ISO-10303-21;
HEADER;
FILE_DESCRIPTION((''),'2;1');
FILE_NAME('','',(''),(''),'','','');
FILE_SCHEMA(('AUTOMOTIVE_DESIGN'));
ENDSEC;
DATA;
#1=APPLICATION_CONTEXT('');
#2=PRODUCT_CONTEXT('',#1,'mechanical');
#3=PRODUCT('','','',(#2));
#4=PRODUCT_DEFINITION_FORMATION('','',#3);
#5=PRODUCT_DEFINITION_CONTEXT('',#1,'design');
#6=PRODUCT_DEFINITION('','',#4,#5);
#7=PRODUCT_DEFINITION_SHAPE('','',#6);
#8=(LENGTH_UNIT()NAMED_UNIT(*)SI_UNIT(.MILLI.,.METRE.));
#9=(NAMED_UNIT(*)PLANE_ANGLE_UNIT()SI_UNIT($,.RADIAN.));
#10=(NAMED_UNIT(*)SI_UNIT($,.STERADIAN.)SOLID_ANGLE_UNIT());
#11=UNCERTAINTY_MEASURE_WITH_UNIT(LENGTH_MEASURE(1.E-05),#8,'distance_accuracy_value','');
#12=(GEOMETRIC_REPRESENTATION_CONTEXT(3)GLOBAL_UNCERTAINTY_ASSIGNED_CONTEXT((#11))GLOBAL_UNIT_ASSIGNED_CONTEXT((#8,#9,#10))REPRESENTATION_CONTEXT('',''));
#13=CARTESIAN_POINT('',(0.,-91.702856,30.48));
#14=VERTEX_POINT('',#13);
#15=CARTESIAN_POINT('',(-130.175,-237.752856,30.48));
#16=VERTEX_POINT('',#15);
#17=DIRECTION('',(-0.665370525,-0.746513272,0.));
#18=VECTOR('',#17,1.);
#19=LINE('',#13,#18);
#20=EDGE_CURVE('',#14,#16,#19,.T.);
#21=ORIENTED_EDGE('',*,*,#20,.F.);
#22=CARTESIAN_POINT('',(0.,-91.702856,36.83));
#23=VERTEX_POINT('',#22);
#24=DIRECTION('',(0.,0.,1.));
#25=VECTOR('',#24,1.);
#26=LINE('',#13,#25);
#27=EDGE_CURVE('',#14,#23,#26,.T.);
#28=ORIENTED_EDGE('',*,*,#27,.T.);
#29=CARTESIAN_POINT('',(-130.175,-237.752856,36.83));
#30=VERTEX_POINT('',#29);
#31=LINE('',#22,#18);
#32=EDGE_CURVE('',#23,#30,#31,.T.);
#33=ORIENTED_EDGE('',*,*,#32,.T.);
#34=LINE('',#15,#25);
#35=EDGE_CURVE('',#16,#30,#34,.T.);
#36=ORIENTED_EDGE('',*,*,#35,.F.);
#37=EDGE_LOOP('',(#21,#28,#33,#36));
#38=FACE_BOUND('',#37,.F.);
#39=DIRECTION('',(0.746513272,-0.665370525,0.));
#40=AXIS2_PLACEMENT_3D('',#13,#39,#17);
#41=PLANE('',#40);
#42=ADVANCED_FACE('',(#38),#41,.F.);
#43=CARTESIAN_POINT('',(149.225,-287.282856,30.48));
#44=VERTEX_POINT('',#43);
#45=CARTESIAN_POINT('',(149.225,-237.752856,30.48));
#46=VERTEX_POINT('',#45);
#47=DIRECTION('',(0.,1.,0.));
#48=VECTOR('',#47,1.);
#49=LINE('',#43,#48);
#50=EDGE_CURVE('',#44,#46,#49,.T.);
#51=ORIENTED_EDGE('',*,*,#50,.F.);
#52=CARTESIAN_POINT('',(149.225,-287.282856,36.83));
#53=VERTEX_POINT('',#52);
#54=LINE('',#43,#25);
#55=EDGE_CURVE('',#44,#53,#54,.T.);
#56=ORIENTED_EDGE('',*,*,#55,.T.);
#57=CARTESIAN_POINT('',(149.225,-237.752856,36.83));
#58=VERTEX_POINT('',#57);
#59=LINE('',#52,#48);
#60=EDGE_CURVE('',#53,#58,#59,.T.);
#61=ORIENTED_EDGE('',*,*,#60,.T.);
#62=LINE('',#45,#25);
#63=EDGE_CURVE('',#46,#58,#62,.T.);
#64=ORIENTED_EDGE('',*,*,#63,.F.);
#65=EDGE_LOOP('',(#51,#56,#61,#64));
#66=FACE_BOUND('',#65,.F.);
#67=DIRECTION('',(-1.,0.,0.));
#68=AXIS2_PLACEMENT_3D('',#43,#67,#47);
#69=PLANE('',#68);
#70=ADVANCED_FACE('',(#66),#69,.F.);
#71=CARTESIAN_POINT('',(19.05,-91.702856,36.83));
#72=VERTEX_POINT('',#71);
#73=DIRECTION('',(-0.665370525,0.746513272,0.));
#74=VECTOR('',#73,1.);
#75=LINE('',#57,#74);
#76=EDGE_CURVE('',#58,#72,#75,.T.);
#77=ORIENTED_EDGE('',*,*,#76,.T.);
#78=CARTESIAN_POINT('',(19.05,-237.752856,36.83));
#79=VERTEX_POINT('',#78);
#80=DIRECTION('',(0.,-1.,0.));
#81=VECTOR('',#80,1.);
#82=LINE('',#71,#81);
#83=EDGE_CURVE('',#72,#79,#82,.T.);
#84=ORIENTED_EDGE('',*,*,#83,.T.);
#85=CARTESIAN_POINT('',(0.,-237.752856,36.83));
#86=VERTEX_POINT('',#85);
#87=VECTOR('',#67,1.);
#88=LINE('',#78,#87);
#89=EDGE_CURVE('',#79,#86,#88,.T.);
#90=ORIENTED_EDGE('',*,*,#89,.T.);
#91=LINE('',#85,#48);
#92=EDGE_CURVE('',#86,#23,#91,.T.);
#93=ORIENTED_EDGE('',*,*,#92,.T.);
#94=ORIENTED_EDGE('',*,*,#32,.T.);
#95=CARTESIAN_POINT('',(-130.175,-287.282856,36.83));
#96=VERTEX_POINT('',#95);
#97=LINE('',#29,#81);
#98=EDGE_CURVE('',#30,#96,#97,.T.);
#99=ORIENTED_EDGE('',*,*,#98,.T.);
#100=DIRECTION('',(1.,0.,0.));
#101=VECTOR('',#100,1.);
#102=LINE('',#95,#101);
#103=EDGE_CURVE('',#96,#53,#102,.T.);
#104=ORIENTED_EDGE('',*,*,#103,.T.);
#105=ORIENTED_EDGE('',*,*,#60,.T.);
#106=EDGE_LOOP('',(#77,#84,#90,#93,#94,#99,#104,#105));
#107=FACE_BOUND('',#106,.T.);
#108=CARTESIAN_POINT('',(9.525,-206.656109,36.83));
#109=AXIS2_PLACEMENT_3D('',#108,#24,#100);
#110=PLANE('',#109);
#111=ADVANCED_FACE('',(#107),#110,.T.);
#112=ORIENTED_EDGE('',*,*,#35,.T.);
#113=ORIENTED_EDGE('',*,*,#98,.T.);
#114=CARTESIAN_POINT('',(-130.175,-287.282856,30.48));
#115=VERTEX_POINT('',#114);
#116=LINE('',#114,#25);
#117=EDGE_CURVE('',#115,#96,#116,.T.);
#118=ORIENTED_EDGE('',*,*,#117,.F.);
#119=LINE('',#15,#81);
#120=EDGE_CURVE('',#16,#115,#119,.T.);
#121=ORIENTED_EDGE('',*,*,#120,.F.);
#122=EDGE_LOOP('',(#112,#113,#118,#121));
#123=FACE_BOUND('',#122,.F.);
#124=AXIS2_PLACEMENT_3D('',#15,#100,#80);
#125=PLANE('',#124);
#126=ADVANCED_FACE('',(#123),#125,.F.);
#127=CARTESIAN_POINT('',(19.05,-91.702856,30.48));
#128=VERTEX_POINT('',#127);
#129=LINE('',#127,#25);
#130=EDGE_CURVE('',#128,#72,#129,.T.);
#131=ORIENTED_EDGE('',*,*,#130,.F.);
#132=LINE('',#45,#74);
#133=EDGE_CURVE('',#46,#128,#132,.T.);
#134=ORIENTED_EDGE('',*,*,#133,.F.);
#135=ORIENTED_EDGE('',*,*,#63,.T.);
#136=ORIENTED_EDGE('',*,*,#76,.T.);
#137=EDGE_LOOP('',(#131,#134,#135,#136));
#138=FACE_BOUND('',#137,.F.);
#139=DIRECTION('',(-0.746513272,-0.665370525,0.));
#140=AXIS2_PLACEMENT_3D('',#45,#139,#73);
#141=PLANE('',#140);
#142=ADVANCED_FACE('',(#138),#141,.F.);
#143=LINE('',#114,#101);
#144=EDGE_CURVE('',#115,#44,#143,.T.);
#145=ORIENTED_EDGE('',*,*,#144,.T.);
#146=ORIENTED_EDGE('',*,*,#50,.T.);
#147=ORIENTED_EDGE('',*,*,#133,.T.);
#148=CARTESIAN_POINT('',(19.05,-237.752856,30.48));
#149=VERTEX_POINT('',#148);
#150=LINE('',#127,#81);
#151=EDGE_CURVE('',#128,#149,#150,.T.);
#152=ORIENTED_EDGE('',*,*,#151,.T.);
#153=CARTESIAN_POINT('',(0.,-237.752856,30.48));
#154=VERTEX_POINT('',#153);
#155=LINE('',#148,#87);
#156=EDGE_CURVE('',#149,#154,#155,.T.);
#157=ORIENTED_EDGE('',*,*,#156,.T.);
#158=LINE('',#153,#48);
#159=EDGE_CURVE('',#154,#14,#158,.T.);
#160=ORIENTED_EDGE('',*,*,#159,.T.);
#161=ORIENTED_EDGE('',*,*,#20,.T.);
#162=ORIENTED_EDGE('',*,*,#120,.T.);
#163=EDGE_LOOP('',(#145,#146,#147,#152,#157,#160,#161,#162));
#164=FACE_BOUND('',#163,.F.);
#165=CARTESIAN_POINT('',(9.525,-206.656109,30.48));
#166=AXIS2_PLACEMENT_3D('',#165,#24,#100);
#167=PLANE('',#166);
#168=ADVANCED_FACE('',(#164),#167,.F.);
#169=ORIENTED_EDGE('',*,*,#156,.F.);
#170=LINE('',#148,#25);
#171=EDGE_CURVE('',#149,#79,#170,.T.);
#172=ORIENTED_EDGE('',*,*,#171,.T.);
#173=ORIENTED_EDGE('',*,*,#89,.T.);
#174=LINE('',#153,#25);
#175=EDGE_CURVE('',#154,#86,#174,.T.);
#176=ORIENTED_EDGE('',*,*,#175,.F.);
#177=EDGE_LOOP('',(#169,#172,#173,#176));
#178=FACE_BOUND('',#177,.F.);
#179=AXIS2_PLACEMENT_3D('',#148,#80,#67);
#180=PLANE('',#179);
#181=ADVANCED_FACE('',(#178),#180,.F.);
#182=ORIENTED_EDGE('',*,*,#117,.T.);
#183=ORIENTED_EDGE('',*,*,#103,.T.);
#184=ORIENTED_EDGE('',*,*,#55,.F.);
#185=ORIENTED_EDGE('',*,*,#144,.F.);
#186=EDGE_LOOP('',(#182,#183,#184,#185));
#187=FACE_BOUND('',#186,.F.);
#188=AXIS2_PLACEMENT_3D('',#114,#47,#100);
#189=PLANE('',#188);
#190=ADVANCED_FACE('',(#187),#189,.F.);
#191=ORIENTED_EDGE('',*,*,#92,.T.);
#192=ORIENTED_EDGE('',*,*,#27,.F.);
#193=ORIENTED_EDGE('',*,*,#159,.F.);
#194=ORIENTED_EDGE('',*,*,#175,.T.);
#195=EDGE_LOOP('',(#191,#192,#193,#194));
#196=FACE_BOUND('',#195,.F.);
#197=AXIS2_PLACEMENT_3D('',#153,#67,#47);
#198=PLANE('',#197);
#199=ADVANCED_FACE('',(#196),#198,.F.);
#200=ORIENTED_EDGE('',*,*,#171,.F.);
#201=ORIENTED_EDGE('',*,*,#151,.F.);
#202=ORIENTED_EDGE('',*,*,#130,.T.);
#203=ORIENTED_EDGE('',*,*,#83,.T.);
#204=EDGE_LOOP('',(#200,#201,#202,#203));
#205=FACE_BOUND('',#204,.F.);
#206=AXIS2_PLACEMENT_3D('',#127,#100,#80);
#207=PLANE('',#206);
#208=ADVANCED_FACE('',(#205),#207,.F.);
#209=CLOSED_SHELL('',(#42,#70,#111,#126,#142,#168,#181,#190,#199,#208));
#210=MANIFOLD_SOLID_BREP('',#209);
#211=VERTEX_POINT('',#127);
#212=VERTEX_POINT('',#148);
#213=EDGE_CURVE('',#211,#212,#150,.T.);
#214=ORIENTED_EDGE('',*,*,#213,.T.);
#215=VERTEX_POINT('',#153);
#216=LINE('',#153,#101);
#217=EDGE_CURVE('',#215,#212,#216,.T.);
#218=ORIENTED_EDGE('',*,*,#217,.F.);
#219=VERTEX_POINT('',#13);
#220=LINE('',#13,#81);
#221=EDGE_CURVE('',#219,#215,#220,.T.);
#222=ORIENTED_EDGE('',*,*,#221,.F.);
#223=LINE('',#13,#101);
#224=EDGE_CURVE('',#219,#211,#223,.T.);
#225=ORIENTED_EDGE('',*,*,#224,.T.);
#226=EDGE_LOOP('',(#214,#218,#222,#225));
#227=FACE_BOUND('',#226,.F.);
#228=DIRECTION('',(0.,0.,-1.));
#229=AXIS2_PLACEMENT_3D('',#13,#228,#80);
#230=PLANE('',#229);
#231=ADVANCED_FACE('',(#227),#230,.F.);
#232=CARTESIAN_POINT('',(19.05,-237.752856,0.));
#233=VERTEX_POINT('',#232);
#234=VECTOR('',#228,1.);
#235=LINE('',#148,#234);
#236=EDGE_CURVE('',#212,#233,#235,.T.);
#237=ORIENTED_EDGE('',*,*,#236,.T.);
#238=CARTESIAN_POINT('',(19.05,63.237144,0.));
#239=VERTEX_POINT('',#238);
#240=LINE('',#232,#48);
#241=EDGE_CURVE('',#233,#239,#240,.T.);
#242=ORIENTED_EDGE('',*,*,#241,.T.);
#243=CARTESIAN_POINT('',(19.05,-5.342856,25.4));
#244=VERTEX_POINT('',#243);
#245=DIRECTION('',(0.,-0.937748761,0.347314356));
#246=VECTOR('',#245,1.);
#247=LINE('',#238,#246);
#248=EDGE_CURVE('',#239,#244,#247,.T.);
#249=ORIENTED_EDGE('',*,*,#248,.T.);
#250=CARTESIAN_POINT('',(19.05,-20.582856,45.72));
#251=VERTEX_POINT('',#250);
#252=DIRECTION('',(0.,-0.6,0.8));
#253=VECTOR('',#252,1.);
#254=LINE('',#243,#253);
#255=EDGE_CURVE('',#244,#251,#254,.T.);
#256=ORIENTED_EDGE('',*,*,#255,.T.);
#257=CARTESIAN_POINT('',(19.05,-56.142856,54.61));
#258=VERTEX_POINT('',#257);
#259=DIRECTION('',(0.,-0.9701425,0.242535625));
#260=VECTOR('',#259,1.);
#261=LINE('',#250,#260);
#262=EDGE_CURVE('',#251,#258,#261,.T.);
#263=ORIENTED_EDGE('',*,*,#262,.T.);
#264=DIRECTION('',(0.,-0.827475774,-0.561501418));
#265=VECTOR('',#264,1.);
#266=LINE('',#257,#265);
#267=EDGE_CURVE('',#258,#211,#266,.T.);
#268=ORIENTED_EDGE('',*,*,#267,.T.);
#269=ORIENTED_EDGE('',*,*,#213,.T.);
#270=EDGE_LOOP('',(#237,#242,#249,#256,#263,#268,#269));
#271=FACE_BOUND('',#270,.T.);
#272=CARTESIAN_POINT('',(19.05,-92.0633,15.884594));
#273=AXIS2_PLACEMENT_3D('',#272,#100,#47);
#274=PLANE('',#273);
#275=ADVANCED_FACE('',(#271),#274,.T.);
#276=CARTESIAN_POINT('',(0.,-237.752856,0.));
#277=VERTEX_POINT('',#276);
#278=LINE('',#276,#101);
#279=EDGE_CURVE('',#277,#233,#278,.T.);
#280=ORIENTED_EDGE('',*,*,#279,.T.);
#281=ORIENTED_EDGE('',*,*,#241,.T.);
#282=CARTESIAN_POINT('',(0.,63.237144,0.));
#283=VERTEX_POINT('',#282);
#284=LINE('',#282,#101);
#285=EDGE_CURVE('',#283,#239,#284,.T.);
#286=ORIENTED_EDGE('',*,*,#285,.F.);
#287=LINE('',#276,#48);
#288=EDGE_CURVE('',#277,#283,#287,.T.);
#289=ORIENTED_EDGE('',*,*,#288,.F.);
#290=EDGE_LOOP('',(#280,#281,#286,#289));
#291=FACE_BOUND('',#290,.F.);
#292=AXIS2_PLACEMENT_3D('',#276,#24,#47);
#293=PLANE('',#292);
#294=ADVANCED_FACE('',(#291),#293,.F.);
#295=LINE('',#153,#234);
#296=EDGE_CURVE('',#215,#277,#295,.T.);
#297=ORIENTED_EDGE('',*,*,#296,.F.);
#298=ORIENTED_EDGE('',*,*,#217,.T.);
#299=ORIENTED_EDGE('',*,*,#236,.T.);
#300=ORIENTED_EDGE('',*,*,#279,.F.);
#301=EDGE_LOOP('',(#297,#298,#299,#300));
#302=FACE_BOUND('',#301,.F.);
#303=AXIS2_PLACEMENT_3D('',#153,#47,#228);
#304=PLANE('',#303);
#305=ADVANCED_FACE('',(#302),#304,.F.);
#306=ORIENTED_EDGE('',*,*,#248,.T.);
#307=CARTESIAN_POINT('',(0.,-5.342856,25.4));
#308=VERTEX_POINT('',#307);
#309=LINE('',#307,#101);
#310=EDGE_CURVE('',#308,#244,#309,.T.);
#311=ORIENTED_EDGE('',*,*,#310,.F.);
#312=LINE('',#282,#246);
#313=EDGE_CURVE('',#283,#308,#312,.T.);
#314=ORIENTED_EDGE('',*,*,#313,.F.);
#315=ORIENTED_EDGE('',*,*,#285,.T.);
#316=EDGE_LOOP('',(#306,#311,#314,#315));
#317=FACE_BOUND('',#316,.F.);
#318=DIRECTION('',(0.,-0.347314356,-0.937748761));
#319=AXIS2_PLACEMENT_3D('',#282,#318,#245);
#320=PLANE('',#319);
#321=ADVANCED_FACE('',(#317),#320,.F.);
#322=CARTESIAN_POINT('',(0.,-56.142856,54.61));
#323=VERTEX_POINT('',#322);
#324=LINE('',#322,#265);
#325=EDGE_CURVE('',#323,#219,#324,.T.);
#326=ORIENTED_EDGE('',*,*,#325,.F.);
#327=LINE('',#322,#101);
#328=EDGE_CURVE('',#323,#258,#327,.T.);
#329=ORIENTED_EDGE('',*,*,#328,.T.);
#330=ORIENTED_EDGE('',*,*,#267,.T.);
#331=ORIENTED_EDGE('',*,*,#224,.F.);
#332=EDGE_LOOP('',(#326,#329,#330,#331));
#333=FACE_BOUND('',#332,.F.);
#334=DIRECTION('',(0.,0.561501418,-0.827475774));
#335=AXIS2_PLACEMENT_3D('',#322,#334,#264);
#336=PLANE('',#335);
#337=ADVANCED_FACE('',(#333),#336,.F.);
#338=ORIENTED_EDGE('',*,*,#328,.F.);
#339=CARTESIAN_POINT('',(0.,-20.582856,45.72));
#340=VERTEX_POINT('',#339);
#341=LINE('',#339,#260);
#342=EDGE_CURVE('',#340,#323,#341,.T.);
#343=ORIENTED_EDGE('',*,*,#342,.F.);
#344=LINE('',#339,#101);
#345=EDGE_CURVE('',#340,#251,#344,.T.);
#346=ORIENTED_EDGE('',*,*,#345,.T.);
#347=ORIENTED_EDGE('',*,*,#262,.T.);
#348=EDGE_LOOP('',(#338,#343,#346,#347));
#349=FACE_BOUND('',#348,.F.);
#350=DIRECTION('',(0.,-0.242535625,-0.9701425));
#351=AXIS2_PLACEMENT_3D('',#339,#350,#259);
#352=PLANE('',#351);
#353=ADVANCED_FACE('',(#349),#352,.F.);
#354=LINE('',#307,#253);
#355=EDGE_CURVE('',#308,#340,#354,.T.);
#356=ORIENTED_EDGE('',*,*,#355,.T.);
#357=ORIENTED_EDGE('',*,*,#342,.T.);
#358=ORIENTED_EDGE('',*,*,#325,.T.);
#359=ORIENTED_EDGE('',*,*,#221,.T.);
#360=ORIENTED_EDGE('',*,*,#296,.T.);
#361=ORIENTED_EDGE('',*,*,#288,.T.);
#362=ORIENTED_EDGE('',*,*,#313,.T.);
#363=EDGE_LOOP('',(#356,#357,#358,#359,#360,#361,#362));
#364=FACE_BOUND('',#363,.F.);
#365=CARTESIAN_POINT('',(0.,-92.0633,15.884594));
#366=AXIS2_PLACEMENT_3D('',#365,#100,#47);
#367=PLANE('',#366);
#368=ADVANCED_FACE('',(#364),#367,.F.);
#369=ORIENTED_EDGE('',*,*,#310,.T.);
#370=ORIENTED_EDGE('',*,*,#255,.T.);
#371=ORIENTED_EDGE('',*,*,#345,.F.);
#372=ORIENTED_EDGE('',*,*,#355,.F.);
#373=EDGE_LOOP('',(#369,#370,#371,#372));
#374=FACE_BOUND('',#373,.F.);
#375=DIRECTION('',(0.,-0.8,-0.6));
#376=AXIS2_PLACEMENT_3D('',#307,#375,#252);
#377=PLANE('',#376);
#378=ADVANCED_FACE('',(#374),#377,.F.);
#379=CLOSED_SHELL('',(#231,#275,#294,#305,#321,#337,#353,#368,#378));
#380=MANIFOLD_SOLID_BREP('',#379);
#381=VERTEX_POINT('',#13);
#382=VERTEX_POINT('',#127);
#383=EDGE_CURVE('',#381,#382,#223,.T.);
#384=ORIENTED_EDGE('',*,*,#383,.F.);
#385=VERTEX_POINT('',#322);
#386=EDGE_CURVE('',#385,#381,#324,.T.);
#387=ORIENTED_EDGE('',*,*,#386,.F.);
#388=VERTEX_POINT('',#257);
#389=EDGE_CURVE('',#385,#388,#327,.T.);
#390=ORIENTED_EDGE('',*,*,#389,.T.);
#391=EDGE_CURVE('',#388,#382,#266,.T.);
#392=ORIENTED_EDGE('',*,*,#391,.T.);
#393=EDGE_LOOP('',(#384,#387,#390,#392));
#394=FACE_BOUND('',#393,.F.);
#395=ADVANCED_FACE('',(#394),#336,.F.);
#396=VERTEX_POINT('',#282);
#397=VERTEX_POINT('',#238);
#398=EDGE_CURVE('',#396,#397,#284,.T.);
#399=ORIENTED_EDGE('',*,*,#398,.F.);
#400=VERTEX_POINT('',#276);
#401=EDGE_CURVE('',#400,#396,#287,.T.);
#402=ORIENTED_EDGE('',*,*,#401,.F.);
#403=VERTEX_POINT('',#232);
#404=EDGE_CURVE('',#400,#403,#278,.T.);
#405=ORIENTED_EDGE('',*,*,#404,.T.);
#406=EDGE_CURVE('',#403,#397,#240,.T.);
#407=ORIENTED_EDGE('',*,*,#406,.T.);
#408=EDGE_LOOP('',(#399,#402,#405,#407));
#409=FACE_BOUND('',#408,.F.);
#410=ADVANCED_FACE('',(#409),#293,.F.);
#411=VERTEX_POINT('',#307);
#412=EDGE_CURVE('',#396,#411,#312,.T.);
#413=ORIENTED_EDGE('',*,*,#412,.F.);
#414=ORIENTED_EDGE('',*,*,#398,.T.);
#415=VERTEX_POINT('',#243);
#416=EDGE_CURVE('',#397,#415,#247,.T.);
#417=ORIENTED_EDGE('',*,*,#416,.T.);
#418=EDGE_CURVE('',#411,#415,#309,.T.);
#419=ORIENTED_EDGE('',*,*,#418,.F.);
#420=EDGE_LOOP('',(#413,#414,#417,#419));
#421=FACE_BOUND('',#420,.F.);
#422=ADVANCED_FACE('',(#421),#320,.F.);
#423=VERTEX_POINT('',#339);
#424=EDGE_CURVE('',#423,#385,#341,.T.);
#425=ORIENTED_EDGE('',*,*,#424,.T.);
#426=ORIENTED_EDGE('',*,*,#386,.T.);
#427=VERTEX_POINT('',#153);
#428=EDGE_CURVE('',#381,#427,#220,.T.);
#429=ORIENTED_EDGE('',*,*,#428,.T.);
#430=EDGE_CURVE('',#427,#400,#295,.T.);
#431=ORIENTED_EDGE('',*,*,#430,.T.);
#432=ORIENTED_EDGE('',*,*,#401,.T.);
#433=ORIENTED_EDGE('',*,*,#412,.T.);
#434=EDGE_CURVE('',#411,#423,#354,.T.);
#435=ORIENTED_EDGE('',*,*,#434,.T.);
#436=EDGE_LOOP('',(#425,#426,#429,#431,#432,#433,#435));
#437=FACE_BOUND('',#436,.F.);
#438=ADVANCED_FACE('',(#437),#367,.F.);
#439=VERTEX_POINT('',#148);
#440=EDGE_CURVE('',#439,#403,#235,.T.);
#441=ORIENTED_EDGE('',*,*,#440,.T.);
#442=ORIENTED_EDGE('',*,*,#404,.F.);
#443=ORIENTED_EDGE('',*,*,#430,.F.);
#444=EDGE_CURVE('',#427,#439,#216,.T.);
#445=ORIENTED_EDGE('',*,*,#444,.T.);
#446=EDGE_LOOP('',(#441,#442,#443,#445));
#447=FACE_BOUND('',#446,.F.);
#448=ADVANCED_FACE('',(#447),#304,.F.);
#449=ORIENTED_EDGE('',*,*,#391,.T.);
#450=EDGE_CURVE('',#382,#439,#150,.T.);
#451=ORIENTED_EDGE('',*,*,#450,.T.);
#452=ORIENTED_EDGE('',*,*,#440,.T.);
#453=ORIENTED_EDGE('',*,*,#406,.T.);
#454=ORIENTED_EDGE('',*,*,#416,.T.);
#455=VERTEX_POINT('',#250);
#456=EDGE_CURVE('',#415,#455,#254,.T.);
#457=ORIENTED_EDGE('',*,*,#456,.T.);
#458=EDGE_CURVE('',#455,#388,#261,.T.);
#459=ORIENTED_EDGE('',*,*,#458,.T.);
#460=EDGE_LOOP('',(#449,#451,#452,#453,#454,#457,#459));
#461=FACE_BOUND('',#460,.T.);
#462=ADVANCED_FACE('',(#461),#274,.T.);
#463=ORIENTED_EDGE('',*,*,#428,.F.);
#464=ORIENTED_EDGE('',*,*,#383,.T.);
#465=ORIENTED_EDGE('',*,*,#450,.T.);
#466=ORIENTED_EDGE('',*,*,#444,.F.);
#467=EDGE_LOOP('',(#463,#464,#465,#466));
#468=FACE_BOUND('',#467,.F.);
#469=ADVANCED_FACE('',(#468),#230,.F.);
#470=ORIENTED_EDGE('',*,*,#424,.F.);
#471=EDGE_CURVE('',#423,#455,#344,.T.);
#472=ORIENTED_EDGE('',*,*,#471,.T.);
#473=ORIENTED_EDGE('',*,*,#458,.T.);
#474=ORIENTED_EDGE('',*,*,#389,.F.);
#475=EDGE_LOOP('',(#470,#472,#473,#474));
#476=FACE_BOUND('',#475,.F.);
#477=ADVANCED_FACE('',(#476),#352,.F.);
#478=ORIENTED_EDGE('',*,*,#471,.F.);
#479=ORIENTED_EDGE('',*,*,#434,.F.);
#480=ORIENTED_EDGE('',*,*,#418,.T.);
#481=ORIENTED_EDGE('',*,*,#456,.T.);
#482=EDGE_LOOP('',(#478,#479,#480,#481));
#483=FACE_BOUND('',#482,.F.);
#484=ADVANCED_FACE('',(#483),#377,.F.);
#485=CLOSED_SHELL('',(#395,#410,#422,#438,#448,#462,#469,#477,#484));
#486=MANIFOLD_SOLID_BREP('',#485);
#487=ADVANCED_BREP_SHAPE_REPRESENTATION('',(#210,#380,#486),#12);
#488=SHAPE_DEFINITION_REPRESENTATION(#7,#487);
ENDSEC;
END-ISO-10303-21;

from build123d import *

# Parameters (mm, degrees)
F1_DEPTH = 19.05
F2_DEPTH = 19.05
F4_DEPTH = 6.35


with BuildPart() as f1:
    # F0 (on Right) → F1 (new body)
    with BuildSketch(Plane.YZ):
        Polygon((-237.752856, 30.48), (-237.752856, 0), (63.237144, 0), (-5.342856, 25.4), (-20.582856, 45.72), (-56.142856, 54.61), (-91.702856, 30.48), align=None)
    extrude(amount=F1_DEPTH)


with BuildPart() as f2:
    # F0 (on Right) → F2 (new body)
    with BuildSketch(Plane.YZ):
        Polygon((-237.752856, 30.48), (-237.752856, 0), (63.237144, 0), (-5.342856, 25.4), (-20.582856, 45.72), (-56.142856, 54.61), (-91.702856, 30.48), align=None)
    extrude(amount=F2_DEPTH)


with BuildPart() as f4:
    # F3 (on face) → F4 (new body)
    with BuildSketch(Plane.XY.offset(30.48)):
        Polygon((-130.175, -287.282856), (149.225, -287.282856), (149.225, -237.752856), (19.05, -91.702856), (19.05, -237.752856), (0, -237.752856), (0, -91.702856), (-130.175, -237.752856), align=None)
    extrude(amount=F4_DEPTH)


solid = Compound([f1.part, f2.part, f4.part])
